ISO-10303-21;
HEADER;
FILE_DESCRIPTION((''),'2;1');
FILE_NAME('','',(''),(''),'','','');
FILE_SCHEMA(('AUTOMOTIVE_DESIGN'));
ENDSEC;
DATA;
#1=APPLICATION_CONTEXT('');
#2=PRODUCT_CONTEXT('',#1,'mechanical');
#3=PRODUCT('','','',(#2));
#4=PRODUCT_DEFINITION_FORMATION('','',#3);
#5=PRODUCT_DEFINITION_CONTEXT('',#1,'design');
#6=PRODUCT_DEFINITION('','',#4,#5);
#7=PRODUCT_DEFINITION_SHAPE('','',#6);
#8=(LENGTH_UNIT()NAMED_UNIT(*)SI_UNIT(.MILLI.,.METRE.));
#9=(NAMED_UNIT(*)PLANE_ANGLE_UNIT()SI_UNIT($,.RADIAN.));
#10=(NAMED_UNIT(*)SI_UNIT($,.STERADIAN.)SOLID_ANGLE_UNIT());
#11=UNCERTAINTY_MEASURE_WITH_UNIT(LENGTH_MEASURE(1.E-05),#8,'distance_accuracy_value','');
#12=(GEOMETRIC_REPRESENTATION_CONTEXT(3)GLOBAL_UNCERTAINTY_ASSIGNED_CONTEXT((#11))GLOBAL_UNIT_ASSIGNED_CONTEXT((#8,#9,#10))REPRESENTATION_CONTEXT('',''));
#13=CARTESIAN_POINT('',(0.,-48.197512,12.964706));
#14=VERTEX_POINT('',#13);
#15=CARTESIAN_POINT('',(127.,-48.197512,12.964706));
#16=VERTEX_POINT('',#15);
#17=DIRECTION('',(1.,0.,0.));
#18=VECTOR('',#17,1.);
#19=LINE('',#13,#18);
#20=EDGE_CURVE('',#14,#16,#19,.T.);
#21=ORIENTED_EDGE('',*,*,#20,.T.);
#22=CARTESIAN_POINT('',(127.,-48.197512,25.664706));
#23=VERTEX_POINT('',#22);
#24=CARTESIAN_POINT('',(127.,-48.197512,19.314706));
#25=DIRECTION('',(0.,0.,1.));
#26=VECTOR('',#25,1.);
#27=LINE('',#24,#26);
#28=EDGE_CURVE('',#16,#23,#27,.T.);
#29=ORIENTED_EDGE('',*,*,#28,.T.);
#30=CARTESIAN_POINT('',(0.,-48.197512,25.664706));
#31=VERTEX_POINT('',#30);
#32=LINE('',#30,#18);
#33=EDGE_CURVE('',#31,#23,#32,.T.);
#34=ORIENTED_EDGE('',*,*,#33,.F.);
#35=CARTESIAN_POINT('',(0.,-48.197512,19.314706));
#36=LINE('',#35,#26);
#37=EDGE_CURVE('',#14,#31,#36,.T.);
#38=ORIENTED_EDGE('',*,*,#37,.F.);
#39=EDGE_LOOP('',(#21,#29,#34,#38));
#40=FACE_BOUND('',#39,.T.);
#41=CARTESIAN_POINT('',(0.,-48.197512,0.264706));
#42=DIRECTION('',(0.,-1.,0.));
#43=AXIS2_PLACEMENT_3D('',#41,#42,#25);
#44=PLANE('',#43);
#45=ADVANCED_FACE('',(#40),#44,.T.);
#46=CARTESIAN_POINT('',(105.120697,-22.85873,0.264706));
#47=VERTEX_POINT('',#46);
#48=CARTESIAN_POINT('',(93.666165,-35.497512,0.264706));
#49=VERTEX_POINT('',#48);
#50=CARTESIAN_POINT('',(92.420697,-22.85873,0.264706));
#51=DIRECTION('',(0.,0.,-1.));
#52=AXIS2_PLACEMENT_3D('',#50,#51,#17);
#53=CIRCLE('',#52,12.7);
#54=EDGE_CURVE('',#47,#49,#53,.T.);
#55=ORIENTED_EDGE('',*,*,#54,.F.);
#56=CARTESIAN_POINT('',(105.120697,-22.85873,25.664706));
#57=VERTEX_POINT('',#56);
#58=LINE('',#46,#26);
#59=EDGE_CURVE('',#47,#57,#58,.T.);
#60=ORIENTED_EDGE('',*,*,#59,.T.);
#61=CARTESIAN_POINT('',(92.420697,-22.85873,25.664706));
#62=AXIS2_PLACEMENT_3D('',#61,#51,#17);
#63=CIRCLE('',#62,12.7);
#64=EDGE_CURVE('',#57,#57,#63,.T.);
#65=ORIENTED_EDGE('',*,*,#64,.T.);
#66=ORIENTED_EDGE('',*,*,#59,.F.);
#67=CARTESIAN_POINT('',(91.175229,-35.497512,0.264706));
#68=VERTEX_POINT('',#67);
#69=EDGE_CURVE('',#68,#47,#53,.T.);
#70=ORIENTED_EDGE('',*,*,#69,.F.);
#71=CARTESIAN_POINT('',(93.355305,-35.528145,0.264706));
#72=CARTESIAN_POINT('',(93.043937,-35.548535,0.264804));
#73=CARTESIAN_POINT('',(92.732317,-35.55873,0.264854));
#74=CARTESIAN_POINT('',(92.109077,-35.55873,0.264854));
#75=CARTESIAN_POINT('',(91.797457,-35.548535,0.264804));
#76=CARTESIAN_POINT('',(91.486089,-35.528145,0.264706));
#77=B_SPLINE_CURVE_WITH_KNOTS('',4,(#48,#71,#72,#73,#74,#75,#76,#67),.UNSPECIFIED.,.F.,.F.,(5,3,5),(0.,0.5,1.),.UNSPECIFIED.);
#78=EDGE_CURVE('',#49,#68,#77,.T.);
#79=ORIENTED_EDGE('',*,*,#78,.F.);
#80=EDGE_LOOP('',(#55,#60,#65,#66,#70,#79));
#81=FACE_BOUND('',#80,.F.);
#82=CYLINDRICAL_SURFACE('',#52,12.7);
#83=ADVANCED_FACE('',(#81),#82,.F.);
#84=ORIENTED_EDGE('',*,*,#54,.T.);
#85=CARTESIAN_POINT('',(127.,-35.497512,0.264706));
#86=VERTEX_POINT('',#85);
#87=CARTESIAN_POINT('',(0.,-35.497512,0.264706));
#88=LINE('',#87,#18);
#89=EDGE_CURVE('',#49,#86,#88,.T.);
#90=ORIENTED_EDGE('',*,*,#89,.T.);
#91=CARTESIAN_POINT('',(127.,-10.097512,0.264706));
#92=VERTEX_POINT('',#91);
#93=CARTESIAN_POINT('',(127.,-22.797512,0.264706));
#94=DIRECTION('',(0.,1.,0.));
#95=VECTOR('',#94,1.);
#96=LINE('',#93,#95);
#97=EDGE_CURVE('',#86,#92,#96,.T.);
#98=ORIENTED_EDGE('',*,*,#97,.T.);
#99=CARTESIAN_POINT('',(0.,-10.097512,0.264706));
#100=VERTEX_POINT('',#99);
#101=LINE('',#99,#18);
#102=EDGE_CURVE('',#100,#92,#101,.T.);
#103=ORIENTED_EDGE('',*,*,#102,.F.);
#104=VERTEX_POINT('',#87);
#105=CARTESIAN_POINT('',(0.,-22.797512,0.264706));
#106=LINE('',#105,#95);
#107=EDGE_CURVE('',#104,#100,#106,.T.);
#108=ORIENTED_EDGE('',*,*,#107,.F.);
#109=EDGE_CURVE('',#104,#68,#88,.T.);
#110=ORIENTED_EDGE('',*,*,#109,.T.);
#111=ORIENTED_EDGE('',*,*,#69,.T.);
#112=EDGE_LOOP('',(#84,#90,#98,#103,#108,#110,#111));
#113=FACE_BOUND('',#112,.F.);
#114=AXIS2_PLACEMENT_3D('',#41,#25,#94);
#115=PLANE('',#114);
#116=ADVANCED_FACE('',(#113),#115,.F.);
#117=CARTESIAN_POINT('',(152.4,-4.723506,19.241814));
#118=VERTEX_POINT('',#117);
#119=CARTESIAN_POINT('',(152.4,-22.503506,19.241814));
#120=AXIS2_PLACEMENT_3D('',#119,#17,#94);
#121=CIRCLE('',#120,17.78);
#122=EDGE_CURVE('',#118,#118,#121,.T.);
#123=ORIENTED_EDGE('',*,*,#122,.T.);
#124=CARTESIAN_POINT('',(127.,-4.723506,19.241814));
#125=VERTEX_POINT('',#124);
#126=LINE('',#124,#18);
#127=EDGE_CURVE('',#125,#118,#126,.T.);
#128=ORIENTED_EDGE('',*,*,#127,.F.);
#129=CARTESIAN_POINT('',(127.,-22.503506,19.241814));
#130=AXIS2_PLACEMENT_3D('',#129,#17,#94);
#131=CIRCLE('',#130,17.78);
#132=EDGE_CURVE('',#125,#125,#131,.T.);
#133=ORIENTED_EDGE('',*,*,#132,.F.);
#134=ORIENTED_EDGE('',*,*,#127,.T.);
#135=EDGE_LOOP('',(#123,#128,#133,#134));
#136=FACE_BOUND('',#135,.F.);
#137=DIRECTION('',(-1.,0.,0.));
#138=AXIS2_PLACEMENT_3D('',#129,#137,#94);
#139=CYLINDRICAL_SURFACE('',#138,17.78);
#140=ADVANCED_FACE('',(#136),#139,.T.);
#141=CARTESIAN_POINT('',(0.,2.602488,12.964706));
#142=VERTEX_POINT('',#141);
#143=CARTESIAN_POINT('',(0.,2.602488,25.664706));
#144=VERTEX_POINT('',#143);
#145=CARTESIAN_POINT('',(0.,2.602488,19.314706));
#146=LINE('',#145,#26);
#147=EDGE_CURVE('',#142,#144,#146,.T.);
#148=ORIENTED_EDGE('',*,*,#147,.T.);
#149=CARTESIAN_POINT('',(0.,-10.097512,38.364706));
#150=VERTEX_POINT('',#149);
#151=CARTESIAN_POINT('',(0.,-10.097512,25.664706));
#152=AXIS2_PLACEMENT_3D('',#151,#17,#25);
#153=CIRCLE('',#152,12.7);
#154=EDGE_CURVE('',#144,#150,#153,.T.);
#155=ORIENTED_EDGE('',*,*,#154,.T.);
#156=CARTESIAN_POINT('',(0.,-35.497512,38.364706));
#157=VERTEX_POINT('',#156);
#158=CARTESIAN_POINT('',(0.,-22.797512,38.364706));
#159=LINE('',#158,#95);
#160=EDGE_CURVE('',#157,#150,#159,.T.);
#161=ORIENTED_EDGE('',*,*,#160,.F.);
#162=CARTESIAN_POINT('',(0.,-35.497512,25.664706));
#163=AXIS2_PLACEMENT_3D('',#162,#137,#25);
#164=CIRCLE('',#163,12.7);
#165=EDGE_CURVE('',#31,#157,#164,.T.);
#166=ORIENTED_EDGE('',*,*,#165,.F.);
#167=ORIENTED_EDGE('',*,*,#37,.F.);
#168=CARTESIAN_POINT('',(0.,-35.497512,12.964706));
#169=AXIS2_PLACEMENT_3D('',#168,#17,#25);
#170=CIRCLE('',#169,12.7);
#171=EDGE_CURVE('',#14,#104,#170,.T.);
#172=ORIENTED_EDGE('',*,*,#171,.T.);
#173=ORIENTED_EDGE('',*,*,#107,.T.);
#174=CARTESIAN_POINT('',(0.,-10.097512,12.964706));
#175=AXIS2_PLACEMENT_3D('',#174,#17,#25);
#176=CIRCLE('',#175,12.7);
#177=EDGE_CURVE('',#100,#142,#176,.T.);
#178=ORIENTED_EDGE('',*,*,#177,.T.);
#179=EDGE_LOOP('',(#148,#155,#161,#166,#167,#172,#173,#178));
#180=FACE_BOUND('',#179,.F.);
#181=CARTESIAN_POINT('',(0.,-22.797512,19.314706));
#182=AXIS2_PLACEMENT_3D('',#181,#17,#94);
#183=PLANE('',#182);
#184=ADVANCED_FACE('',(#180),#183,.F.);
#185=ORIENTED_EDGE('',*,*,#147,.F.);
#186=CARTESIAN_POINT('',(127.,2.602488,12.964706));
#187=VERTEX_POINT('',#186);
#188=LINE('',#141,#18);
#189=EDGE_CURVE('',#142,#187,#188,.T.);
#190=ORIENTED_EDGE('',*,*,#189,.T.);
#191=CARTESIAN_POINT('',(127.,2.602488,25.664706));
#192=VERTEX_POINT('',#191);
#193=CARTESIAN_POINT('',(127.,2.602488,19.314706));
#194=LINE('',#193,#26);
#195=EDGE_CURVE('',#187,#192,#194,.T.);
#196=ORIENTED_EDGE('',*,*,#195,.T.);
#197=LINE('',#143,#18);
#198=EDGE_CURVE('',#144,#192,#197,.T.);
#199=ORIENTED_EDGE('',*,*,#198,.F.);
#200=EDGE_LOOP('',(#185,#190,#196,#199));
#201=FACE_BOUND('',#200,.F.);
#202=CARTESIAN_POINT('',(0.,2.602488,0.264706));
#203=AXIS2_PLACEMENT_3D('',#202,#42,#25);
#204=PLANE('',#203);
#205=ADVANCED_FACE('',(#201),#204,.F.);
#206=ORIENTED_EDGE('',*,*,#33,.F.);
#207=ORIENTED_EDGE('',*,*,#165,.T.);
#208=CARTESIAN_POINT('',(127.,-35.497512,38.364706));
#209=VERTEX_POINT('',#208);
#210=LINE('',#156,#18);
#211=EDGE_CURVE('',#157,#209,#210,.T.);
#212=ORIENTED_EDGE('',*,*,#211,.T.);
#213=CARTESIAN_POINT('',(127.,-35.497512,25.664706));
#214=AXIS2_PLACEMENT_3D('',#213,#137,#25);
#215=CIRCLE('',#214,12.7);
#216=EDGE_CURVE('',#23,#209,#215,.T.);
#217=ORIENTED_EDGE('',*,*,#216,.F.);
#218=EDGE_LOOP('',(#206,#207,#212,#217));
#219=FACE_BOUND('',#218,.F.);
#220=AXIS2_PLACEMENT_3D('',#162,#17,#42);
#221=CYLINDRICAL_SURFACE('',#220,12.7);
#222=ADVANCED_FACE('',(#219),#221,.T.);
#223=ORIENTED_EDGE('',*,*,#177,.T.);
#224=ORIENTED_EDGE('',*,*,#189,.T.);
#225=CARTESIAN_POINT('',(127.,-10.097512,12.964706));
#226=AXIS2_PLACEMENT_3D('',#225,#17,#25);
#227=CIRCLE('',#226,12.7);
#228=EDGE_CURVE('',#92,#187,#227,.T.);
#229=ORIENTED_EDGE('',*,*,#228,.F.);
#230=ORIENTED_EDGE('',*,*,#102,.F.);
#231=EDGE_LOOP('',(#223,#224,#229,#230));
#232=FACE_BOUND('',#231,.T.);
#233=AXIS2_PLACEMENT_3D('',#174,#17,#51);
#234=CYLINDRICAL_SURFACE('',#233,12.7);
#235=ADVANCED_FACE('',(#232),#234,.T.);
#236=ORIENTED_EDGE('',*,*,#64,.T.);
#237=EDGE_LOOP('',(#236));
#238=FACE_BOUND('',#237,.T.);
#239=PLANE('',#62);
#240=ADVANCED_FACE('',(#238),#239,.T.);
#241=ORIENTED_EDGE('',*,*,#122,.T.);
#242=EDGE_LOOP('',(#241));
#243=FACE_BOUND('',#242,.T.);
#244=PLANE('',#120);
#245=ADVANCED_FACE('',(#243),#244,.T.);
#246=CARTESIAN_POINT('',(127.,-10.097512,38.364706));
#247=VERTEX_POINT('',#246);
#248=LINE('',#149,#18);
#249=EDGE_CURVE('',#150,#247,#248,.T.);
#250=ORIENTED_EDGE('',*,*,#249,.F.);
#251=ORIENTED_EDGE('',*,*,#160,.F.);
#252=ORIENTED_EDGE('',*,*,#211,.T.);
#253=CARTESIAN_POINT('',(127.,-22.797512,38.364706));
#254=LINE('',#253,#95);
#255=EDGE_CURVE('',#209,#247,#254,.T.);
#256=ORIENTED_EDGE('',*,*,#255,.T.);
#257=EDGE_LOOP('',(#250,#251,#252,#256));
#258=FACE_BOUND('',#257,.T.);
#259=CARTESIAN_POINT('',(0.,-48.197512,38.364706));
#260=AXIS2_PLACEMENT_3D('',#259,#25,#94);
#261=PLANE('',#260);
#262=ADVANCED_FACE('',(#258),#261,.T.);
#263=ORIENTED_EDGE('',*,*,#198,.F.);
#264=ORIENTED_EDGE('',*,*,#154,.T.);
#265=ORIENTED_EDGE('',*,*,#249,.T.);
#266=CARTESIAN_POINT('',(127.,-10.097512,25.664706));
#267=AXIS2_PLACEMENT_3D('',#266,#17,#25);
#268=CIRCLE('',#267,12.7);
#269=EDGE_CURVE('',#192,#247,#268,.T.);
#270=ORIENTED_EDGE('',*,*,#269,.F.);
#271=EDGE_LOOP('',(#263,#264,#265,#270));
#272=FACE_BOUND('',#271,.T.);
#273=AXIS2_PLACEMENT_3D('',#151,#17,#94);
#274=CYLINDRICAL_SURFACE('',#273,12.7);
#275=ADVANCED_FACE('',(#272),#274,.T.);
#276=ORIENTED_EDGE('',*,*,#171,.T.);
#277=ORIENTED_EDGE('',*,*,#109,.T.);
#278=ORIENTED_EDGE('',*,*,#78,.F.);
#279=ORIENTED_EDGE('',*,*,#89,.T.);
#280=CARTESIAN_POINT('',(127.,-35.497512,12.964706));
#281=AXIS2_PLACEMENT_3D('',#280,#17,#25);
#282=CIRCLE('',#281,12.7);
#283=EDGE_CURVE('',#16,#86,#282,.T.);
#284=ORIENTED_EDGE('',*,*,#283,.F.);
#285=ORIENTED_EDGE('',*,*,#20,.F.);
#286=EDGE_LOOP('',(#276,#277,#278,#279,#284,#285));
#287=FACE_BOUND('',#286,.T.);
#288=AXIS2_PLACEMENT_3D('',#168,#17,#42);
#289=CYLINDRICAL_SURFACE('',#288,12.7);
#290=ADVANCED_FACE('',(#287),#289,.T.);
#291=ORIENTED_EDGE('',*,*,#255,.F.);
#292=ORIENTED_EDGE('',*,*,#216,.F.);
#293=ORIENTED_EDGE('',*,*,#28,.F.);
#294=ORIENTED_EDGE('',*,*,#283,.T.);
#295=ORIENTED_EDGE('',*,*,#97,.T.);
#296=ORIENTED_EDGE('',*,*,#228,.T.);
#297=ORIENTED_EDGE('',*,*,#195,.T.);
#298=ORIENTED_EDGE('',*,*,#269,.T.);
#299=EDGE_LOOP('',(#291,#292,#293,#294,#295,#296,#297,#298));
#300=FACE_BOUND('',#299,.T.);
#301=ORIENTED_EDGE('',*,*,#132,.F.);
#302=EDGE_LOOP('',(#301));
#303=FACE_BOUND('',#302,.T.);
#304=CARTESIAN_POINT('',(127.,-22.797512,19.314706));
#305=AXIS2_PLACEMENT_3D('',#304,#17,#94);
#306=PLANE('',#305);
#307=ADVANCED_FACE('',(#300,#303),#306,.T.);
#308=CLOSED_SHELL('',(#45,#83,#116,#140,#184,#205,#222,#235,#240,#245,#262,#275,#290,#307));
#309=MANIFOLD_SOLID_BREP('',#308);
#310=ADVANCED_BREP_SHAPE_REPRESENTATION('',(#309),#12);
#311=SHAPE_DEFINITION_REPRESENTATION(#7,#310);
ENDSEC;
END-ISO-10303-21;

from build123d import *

# Parameters (mm, degrees)
F0_W     = 50.8
F0_H     = 38.1
F1_DEPTH = 127
F2_R     = 12.7
F3_R     = 12.7
F4_DEPTH = 25.4
F5_R     = 17.78
F6_DEPTH = 25.4


with BuildPart() as f1:
    # F0 (on Right) → F1 (new body)
    with BuildSketch(Plane.YZ):
        with Locations((-22.797512, 19.314706)):
            Rectangle(F0_W, F0_H)
    extrude(amount=F1_DEPTH)

    # F2
    f2_edges = [f1.edges().sort_by_distance(p)[0] for p in [
        (63.5, -48.197512, 38.364706),
        (63.5, 2.602488, 38.364706),
        (63.5, -48.197512, 0.264706),
        (63.5, 2.602488, 0.264706),
    ]]
    fillet(f2_edges, radius=F2_R)

    # F3 (on face) → F4 (cut)
    with BuildSketch(Plane(origin=(0, 0, 0.264706), x_dir=(1, 0, 0), z_dir=(0, 0, -1))):
        with Locations((92.420697, 22.85873)):
            Circle(F3_R)
    extrude(amount=-F4_DEPTH, mode=Mode.SUBTRACT)

    # F5 (on face) → F6 (join)
    with BuildSketch(Plane.YZ.offset(127)):
        with Locations((-22.503506, 19.241814)):
            Circle(F5_R)
    extrude(amount=F6_DEPTH)


solid = f1.part
